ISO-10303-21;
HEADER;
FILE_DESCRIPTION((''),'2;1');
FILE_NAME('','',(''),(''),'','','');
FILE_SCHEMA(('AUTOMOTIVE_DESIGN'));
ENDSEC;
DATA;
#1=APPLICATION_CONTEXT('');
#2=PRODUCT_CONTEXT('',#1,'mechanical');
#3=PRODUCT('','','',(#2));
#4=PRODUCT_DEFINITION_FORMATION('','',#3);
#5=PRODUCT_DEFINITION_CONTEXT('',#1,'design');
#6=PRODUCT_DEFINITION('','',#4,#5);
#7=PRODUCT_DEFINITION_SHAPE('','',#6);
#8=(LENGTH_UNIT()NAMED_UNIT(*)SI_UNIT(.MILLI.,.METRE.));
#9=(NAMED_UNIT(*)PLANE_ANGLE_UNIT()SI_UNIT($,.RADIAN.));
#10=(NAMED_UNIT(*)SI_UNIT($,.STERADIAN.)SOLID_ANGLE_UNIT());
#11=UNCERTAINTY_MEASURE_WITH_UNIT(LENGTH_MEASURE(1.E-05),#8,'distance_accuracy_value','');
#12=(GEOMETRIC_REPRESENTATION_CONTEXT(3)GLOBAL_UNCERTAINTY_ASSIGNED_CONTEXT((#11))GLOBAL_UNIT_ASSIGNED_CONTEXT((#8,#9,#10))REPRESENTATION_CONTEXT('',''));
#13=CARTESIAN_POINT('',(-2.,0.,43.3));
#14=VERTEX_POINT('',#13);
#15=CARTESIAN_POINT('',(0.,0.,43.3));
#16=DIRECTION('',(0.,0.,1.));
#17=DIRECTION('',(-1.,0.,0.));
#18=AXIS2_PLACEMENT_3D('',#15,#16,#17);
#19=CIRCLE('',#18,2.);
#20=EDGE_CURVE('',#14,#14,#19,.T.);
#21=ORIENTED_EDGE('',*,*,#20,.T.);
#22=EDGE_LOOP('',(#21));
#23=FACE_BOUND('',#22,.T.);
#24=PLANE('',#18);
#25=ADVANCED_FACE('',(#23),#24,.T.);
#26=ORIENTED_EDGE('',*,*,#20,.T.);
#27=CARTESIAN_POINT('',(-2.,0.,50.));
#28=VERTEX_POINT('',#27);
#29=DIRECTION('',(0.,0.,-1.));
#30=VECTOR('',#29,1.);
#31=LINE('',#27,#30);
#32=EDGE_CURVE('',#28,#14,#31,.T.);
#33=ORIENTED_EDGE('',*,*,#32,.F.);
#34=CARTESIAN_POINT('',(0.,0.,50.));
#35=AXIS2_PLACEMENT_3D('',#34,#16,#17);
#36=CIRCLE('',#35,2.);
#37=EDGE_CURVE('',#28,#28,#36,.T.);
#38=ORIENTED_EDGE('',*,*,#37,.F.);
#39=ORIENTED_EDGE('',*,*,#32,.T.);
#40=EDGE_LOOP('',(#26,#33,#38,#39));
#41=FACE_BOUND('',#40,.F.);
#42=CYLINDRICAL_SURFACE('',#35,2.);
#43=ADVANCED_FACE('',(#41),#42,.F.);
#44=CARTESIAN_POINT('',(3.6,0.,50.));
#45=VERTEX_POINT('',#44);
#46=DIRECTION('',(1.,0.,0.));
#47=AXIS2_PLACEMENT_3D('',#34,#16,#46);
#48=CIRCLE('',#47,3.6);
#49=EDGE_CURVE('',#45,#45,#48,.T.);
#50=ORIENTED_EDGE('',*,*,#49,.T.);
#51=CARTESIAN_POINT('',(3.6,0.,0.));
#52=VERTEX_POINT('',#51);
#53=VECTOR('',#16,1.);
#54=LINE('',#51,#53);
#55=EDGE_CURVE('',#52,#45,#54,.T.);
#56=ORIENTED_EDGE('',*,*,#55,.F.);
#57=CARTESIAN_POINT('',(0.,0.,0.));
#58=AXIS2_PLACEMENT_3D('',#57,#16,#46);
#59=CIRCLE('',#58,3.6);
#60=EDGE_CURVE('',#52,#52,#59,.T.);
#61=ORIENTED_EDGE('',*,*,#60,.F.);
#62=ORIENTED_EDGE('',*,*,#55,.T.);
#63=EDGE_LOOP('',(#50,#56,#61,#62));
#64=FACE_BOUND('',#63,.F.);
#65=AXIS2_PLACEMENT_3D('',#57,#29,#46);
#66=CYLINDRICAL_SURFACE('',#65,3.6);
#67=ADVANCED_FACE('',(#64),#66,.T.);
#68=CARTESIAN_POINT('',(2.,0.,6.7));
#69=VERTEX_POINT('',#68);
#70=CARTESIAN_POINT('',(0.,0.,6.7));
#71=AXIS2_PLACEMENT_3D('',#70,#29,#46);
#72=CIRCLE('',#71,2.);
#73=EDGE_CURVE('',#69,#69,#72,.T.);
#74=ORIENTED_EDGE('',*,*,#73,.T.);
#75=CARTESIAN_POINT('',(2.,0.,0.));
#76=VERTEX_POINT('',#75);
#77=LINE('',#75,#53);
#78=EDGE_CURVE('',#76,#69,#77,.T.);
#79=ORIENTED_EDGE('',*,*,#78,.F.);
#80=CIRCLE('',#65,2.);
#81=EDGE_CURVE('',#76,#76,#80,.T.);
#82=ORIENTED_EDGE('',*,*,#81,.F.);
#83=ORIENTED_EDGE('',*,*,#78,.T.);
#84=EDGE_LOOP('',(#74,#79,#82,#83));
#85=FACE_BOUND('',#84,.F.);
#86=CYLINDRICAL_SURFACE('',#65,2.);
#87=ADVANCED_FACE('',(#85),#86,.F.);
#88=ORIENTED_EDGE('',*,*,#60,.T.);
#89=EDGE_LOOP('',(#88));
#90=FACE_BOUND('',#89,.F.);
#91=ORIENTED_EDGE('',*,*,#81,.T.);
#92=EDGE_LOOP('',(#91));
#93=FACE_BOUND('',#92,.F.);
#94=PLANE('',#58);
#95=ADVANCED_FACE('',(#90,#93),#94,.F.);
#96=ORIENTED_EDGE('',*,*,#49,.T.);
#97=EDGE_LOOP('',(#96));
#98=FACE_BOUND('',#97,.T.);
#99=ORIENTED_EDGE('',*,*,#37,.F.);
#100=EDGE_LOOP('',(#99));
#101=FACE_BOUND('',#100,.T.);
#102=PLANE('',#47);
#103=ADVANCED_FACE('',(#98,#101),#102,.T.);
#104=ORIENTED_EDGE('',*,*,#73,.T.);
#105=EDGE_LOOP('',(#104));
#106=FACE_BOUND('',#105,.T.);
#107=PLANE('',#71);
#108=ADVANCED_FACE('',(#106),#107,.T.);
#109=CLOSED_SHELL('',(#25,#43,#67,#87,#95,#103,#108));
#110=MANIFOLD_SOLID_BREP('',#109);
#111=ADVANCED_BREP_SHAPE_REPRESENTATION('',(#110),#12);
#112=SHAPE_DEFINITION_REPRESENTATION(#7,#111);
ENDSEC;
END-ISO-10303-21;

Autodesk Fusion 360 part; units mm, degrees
sketch "Sketch1" plane through (0, 0, 0) normal (0, 0, 1) x (1, 0, 0)
  circle A0 centre (0, 0) radius 3.6
  dimension "d1" = 7.2
extrude "Extrude1" add sketch "Sketch1" along normal blind 50
sketch "Sketch2" plane through (0, 0, 50) normal (0, 0, 1) x (-1, 0, 0)
  circle A0 centre (0, 0) radius 3.6
  circle A1 centre (0, 0) radius 2
  dimension "d4" = 4
extrude "Extrude2" cut sketch "Sketch2" against normal blind 6.7 contours A1
sketch "Sketch3" plane through (0, 0, 0) normal (0, 0, -1) x (1, 0, 0)
  circle A0 centre (0, 0) radius 3.6
  circle A1 centre (0, 0) radius 2
  dimension "d7" = 4
extrude "Extrude3" cut sketch "Sketch3" against normal blind 6.7 contours A1
